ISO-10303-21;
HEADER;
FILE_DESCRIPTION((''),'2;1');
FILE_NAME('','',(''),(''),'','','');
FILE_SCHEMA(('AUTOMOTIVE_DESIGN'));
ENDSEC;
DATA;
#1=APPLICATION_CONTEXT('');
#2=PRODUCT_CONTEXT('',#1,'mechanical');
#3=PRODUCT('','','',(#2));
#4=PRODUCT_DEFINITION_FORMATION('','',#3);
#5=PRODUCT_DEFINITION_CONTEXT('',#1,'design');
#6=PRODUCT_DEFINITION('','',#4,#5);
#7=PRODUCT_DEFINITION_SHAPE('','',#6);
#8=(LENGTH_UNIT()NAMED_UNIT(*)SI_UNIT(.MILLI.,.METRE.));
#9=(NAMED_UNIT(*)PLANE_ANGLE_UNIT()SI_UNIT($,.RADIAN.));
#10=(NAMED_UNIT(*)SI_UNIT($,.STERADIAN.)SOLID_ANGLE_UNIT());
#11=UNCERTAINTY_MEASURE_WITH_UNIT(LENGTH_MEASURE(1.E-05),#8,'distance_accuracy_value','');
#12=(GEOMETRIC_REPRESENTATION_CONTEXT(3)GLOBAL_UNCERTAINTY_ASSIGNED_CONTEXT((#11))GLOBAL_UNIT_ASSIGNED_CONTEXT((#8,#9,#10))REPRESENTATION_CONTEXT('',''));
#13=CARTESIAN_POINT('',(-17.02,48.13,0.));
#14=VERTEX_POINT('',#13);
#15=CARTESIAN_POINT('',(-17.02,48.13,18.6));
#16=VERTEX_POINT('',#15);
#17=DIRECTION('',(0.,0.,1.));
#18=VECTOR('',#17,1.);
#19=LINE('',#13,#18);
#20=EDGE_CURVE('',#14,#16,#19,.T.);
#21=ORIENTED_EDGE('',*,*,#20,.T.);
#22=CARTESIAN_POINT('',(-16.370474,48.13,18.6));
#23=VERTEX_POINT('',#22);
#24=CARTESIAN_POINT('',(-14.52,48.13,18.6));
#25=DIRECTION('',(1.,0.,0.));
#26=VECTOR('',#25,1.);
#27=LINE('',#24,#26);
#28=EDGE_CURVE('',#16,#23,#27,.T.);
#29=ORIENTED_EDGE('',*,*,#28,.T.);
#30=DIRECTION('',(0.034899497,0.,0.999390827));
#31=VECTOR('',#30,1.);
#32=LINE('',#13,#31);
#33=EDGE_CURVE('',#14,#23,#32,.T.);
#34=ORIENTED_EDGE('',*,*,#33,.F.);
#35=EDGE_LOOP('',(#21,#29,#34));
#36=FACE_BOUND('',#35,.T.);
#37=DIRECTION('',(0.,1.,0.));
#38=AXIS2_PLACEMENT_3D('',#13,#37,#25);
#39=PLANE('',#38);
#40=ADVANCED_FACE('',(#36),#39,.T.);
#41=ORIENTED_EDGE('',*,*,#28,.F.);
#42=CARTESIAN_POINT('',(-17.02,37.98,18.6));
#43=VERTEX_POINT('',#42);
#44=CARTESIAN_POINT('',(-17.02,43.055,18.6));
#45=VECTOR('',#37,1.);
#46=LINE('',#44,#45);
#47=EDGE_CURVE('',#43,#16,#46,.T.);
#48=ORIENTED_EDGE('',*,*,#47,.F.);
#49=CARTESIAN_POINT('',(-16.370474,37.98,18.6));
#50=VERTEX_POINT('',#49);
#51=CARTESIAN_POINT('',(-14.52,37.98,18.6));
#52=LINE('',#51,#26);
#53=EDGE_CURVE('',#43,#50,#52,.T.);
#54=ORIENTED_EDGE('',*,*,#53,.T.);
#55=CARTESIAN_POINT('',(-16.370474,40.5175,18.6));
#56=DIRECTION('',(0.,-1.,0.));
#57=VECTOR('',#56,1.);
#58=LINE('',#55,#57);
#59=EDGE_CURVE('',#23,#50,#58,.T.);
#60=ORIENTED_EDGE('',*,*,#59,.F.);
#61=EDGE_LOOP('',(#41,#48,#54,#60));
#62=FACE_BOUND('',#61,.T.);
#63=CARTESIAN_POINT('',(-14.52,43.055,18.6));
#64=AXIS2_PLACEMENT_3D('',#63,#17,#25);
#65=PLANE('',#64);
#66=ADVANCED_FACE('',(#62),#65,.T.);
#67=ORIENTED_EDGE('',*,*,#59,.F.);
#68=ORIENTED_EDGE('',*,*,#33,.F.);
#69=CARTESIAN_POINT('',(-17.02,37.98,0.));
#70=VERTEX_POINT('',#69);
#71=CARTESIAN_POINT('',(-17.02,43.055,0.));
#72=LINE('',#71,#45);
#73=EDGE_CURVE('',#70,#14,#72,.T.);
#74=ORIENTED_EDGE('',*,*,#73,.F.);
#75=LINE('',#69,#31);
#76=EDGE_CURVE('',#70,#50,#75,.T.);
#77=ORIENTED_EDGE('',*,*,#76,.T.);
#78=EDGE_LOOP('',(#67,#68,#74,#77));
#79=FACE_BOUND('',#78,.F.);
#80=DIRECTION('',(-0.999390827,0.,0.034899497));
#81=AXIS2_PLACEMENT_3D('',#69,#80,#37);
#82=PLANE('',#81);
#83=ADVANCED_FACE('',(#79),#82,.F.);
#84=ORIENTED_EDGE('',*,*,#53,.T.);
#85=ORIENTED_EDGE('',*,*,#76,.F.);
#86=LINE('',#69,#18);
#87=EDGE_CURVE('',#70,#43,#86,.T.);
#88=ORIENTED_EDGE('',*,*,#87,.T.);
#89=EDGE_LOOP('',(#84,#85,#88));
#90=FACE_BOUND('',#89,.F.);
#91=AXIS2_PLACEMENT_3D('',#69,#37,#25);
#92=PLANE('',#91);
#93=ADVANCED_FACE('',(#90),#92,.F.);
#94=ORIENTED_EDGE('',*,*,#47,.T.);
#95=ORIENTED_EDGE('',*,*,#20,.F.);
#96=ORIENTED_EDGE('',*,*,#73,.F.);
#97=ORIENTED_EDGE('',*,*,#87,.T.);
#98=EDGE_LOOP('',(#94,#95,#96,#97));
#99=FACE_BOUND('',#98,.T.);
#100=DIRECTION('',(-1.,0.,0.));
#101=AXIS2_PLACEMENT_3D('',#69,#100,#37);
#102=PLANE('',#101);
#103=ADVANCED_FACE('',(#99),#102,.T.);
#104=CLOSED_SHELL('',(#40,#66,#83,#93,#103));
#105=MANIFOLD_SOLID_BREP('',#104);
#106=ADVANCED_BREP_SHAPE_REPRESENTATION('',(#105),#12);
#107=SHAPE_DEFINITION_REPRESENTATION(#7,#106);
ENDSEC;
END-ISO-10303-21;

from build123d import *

# Parameters (mm, degrees)
BOX026_W               = 5
BOX026_H               = 10.15
BOX026_DEPTH           = 21.6
BOX026_PLACEMENT_ANGLE = 2
BOX027_W               = 5
BOX027_H               = 10.15
BOX027_DEPTH           = 18.6


with BuildPart() as cube026:
    # Box026 → Box026 (new body)
    with BuildSketch(Plane.XY):
        with Locations((2.5, 5.075)):
            Rectangle(BOX026_W, BOX026_H)
    extrude(amount=BOX026_DEPTH)


with BuildPart() as cube026_1:
    # Box026 placement: moved
    add(cube026.part.moved(Location((-17.02, 46.38, 0))).rotate(Axis((-17.02, 46.38, 0), (0, 1, 0)), BOX026_PLACEMENT_ANGLE))


with BuildPart() as filament_sensor_angle:
    # Box027 → Box027 (new body)
    with BuildSketch(Plane(origin=(-17.02, 46.38, 0), x_dir=(1, 0, 0), z_dir=(0, 0, 1))):
        with Locations((2.5, 5.075)):
            Rectangle(BOX027_W, BOX027_H)
    extrude(amount=BOX027_DEPTH)

    # Cut001012003011002008006006009002: cut Cube026
    add(cube026_1.part, mode=Mode.SUBTRACT)


with BuildPart() as filament_sensor_angle_1:
    # Cut001012003011002008006006009002 placement: moved
    add(filament_sensor_angle.part.moved(Location((0, -8.4, 0))))


solid = filament_sensor_angle_1.part
